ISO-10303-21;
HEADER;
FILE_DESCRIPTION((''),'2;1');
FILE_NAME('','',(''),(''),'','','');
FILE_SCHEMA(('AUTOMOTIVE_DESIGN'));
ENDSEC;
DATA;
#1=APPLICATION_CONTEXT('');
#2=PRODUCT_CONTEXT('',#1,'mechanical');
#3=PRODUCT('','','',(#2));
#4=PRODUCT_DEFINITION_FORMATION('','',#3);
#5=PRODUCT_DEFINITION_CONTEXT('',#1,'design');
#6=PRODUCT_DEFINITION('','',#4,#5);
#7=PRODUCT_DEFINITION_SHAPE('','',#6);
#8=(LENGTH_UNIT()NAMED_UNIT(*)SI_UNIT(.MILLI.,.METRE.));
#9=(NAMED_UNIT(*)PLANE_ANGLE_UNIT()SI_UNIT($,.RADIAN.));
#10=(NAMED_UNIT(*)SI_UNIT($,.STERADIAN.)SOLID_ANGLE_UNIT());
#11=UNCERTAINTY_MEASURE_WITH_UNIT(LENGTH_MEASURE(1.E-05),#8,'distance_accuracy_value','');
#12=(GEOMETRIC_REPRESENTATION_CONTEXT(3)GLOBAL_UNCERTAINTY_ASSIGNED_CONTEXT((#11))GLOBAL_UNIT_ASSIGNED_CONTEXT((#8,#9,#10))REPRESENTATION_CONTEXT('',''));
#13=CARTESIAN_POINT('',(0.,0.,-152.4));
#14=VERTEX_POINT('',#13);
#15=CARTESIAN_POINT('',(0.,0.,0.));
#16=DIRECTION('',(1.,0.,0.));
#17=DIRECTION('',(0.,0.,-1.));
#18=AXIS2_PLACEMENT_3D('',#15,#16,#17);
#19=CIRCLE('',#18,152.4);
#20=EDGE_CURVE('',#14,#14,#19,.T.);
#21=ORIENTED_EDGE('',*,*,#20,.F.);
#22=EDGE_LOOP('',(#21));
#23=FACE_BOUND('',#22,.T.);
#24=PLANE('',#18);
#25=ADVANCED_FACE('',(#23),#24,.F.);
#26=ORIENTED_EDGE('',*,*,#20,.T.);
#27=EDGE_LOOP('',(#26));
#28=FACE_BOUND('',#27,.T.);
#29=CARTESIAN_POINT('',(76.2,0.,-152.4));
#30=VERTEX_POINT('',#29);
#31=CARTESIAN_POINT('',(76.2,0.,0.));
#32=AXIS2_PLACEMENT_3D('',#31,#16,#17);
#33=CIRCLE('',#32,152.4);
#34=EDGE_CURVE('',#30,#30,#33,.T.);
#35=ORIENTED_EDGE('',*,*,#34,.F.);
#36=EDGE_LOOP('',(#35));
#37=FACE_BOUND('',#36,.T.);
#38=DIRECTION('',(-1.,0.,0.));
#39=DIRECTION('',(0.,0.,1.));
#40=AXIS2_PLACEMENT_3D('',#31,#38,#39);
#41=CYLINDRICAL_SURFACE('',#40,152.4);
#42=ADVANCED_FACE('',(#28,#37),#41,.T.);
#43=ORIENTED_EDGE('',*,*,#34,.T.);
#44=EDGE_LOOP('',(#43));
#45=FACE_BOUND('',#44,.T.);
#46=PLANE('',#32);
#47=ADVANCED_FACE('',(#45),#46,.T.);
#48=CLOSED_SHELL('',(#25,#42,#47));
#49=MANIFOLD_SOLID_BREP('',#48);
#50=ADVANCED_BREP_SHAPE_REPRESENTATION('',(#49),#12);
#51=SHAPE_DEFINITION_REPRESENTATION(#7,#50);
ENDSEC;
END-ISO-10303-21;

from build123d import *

# Parameters (mm, degrees)
SKETCH1_R           = 152.4
BOSS_EXTRUDE1_DEPTH = 76.2


with BuildPart() as part:
    # Sketch1 → Boss-Extrude1 (new body)
    with BuildSketch(Plane(origin=(0, 0, 0), x_dir=(0, 0, -1), z_dir=(1, 0, 0))):
        Circle(SKETCH1_R)
    extrude(amount=BOSS_EXTRUDE1_DEPTH)


solid = part.part
